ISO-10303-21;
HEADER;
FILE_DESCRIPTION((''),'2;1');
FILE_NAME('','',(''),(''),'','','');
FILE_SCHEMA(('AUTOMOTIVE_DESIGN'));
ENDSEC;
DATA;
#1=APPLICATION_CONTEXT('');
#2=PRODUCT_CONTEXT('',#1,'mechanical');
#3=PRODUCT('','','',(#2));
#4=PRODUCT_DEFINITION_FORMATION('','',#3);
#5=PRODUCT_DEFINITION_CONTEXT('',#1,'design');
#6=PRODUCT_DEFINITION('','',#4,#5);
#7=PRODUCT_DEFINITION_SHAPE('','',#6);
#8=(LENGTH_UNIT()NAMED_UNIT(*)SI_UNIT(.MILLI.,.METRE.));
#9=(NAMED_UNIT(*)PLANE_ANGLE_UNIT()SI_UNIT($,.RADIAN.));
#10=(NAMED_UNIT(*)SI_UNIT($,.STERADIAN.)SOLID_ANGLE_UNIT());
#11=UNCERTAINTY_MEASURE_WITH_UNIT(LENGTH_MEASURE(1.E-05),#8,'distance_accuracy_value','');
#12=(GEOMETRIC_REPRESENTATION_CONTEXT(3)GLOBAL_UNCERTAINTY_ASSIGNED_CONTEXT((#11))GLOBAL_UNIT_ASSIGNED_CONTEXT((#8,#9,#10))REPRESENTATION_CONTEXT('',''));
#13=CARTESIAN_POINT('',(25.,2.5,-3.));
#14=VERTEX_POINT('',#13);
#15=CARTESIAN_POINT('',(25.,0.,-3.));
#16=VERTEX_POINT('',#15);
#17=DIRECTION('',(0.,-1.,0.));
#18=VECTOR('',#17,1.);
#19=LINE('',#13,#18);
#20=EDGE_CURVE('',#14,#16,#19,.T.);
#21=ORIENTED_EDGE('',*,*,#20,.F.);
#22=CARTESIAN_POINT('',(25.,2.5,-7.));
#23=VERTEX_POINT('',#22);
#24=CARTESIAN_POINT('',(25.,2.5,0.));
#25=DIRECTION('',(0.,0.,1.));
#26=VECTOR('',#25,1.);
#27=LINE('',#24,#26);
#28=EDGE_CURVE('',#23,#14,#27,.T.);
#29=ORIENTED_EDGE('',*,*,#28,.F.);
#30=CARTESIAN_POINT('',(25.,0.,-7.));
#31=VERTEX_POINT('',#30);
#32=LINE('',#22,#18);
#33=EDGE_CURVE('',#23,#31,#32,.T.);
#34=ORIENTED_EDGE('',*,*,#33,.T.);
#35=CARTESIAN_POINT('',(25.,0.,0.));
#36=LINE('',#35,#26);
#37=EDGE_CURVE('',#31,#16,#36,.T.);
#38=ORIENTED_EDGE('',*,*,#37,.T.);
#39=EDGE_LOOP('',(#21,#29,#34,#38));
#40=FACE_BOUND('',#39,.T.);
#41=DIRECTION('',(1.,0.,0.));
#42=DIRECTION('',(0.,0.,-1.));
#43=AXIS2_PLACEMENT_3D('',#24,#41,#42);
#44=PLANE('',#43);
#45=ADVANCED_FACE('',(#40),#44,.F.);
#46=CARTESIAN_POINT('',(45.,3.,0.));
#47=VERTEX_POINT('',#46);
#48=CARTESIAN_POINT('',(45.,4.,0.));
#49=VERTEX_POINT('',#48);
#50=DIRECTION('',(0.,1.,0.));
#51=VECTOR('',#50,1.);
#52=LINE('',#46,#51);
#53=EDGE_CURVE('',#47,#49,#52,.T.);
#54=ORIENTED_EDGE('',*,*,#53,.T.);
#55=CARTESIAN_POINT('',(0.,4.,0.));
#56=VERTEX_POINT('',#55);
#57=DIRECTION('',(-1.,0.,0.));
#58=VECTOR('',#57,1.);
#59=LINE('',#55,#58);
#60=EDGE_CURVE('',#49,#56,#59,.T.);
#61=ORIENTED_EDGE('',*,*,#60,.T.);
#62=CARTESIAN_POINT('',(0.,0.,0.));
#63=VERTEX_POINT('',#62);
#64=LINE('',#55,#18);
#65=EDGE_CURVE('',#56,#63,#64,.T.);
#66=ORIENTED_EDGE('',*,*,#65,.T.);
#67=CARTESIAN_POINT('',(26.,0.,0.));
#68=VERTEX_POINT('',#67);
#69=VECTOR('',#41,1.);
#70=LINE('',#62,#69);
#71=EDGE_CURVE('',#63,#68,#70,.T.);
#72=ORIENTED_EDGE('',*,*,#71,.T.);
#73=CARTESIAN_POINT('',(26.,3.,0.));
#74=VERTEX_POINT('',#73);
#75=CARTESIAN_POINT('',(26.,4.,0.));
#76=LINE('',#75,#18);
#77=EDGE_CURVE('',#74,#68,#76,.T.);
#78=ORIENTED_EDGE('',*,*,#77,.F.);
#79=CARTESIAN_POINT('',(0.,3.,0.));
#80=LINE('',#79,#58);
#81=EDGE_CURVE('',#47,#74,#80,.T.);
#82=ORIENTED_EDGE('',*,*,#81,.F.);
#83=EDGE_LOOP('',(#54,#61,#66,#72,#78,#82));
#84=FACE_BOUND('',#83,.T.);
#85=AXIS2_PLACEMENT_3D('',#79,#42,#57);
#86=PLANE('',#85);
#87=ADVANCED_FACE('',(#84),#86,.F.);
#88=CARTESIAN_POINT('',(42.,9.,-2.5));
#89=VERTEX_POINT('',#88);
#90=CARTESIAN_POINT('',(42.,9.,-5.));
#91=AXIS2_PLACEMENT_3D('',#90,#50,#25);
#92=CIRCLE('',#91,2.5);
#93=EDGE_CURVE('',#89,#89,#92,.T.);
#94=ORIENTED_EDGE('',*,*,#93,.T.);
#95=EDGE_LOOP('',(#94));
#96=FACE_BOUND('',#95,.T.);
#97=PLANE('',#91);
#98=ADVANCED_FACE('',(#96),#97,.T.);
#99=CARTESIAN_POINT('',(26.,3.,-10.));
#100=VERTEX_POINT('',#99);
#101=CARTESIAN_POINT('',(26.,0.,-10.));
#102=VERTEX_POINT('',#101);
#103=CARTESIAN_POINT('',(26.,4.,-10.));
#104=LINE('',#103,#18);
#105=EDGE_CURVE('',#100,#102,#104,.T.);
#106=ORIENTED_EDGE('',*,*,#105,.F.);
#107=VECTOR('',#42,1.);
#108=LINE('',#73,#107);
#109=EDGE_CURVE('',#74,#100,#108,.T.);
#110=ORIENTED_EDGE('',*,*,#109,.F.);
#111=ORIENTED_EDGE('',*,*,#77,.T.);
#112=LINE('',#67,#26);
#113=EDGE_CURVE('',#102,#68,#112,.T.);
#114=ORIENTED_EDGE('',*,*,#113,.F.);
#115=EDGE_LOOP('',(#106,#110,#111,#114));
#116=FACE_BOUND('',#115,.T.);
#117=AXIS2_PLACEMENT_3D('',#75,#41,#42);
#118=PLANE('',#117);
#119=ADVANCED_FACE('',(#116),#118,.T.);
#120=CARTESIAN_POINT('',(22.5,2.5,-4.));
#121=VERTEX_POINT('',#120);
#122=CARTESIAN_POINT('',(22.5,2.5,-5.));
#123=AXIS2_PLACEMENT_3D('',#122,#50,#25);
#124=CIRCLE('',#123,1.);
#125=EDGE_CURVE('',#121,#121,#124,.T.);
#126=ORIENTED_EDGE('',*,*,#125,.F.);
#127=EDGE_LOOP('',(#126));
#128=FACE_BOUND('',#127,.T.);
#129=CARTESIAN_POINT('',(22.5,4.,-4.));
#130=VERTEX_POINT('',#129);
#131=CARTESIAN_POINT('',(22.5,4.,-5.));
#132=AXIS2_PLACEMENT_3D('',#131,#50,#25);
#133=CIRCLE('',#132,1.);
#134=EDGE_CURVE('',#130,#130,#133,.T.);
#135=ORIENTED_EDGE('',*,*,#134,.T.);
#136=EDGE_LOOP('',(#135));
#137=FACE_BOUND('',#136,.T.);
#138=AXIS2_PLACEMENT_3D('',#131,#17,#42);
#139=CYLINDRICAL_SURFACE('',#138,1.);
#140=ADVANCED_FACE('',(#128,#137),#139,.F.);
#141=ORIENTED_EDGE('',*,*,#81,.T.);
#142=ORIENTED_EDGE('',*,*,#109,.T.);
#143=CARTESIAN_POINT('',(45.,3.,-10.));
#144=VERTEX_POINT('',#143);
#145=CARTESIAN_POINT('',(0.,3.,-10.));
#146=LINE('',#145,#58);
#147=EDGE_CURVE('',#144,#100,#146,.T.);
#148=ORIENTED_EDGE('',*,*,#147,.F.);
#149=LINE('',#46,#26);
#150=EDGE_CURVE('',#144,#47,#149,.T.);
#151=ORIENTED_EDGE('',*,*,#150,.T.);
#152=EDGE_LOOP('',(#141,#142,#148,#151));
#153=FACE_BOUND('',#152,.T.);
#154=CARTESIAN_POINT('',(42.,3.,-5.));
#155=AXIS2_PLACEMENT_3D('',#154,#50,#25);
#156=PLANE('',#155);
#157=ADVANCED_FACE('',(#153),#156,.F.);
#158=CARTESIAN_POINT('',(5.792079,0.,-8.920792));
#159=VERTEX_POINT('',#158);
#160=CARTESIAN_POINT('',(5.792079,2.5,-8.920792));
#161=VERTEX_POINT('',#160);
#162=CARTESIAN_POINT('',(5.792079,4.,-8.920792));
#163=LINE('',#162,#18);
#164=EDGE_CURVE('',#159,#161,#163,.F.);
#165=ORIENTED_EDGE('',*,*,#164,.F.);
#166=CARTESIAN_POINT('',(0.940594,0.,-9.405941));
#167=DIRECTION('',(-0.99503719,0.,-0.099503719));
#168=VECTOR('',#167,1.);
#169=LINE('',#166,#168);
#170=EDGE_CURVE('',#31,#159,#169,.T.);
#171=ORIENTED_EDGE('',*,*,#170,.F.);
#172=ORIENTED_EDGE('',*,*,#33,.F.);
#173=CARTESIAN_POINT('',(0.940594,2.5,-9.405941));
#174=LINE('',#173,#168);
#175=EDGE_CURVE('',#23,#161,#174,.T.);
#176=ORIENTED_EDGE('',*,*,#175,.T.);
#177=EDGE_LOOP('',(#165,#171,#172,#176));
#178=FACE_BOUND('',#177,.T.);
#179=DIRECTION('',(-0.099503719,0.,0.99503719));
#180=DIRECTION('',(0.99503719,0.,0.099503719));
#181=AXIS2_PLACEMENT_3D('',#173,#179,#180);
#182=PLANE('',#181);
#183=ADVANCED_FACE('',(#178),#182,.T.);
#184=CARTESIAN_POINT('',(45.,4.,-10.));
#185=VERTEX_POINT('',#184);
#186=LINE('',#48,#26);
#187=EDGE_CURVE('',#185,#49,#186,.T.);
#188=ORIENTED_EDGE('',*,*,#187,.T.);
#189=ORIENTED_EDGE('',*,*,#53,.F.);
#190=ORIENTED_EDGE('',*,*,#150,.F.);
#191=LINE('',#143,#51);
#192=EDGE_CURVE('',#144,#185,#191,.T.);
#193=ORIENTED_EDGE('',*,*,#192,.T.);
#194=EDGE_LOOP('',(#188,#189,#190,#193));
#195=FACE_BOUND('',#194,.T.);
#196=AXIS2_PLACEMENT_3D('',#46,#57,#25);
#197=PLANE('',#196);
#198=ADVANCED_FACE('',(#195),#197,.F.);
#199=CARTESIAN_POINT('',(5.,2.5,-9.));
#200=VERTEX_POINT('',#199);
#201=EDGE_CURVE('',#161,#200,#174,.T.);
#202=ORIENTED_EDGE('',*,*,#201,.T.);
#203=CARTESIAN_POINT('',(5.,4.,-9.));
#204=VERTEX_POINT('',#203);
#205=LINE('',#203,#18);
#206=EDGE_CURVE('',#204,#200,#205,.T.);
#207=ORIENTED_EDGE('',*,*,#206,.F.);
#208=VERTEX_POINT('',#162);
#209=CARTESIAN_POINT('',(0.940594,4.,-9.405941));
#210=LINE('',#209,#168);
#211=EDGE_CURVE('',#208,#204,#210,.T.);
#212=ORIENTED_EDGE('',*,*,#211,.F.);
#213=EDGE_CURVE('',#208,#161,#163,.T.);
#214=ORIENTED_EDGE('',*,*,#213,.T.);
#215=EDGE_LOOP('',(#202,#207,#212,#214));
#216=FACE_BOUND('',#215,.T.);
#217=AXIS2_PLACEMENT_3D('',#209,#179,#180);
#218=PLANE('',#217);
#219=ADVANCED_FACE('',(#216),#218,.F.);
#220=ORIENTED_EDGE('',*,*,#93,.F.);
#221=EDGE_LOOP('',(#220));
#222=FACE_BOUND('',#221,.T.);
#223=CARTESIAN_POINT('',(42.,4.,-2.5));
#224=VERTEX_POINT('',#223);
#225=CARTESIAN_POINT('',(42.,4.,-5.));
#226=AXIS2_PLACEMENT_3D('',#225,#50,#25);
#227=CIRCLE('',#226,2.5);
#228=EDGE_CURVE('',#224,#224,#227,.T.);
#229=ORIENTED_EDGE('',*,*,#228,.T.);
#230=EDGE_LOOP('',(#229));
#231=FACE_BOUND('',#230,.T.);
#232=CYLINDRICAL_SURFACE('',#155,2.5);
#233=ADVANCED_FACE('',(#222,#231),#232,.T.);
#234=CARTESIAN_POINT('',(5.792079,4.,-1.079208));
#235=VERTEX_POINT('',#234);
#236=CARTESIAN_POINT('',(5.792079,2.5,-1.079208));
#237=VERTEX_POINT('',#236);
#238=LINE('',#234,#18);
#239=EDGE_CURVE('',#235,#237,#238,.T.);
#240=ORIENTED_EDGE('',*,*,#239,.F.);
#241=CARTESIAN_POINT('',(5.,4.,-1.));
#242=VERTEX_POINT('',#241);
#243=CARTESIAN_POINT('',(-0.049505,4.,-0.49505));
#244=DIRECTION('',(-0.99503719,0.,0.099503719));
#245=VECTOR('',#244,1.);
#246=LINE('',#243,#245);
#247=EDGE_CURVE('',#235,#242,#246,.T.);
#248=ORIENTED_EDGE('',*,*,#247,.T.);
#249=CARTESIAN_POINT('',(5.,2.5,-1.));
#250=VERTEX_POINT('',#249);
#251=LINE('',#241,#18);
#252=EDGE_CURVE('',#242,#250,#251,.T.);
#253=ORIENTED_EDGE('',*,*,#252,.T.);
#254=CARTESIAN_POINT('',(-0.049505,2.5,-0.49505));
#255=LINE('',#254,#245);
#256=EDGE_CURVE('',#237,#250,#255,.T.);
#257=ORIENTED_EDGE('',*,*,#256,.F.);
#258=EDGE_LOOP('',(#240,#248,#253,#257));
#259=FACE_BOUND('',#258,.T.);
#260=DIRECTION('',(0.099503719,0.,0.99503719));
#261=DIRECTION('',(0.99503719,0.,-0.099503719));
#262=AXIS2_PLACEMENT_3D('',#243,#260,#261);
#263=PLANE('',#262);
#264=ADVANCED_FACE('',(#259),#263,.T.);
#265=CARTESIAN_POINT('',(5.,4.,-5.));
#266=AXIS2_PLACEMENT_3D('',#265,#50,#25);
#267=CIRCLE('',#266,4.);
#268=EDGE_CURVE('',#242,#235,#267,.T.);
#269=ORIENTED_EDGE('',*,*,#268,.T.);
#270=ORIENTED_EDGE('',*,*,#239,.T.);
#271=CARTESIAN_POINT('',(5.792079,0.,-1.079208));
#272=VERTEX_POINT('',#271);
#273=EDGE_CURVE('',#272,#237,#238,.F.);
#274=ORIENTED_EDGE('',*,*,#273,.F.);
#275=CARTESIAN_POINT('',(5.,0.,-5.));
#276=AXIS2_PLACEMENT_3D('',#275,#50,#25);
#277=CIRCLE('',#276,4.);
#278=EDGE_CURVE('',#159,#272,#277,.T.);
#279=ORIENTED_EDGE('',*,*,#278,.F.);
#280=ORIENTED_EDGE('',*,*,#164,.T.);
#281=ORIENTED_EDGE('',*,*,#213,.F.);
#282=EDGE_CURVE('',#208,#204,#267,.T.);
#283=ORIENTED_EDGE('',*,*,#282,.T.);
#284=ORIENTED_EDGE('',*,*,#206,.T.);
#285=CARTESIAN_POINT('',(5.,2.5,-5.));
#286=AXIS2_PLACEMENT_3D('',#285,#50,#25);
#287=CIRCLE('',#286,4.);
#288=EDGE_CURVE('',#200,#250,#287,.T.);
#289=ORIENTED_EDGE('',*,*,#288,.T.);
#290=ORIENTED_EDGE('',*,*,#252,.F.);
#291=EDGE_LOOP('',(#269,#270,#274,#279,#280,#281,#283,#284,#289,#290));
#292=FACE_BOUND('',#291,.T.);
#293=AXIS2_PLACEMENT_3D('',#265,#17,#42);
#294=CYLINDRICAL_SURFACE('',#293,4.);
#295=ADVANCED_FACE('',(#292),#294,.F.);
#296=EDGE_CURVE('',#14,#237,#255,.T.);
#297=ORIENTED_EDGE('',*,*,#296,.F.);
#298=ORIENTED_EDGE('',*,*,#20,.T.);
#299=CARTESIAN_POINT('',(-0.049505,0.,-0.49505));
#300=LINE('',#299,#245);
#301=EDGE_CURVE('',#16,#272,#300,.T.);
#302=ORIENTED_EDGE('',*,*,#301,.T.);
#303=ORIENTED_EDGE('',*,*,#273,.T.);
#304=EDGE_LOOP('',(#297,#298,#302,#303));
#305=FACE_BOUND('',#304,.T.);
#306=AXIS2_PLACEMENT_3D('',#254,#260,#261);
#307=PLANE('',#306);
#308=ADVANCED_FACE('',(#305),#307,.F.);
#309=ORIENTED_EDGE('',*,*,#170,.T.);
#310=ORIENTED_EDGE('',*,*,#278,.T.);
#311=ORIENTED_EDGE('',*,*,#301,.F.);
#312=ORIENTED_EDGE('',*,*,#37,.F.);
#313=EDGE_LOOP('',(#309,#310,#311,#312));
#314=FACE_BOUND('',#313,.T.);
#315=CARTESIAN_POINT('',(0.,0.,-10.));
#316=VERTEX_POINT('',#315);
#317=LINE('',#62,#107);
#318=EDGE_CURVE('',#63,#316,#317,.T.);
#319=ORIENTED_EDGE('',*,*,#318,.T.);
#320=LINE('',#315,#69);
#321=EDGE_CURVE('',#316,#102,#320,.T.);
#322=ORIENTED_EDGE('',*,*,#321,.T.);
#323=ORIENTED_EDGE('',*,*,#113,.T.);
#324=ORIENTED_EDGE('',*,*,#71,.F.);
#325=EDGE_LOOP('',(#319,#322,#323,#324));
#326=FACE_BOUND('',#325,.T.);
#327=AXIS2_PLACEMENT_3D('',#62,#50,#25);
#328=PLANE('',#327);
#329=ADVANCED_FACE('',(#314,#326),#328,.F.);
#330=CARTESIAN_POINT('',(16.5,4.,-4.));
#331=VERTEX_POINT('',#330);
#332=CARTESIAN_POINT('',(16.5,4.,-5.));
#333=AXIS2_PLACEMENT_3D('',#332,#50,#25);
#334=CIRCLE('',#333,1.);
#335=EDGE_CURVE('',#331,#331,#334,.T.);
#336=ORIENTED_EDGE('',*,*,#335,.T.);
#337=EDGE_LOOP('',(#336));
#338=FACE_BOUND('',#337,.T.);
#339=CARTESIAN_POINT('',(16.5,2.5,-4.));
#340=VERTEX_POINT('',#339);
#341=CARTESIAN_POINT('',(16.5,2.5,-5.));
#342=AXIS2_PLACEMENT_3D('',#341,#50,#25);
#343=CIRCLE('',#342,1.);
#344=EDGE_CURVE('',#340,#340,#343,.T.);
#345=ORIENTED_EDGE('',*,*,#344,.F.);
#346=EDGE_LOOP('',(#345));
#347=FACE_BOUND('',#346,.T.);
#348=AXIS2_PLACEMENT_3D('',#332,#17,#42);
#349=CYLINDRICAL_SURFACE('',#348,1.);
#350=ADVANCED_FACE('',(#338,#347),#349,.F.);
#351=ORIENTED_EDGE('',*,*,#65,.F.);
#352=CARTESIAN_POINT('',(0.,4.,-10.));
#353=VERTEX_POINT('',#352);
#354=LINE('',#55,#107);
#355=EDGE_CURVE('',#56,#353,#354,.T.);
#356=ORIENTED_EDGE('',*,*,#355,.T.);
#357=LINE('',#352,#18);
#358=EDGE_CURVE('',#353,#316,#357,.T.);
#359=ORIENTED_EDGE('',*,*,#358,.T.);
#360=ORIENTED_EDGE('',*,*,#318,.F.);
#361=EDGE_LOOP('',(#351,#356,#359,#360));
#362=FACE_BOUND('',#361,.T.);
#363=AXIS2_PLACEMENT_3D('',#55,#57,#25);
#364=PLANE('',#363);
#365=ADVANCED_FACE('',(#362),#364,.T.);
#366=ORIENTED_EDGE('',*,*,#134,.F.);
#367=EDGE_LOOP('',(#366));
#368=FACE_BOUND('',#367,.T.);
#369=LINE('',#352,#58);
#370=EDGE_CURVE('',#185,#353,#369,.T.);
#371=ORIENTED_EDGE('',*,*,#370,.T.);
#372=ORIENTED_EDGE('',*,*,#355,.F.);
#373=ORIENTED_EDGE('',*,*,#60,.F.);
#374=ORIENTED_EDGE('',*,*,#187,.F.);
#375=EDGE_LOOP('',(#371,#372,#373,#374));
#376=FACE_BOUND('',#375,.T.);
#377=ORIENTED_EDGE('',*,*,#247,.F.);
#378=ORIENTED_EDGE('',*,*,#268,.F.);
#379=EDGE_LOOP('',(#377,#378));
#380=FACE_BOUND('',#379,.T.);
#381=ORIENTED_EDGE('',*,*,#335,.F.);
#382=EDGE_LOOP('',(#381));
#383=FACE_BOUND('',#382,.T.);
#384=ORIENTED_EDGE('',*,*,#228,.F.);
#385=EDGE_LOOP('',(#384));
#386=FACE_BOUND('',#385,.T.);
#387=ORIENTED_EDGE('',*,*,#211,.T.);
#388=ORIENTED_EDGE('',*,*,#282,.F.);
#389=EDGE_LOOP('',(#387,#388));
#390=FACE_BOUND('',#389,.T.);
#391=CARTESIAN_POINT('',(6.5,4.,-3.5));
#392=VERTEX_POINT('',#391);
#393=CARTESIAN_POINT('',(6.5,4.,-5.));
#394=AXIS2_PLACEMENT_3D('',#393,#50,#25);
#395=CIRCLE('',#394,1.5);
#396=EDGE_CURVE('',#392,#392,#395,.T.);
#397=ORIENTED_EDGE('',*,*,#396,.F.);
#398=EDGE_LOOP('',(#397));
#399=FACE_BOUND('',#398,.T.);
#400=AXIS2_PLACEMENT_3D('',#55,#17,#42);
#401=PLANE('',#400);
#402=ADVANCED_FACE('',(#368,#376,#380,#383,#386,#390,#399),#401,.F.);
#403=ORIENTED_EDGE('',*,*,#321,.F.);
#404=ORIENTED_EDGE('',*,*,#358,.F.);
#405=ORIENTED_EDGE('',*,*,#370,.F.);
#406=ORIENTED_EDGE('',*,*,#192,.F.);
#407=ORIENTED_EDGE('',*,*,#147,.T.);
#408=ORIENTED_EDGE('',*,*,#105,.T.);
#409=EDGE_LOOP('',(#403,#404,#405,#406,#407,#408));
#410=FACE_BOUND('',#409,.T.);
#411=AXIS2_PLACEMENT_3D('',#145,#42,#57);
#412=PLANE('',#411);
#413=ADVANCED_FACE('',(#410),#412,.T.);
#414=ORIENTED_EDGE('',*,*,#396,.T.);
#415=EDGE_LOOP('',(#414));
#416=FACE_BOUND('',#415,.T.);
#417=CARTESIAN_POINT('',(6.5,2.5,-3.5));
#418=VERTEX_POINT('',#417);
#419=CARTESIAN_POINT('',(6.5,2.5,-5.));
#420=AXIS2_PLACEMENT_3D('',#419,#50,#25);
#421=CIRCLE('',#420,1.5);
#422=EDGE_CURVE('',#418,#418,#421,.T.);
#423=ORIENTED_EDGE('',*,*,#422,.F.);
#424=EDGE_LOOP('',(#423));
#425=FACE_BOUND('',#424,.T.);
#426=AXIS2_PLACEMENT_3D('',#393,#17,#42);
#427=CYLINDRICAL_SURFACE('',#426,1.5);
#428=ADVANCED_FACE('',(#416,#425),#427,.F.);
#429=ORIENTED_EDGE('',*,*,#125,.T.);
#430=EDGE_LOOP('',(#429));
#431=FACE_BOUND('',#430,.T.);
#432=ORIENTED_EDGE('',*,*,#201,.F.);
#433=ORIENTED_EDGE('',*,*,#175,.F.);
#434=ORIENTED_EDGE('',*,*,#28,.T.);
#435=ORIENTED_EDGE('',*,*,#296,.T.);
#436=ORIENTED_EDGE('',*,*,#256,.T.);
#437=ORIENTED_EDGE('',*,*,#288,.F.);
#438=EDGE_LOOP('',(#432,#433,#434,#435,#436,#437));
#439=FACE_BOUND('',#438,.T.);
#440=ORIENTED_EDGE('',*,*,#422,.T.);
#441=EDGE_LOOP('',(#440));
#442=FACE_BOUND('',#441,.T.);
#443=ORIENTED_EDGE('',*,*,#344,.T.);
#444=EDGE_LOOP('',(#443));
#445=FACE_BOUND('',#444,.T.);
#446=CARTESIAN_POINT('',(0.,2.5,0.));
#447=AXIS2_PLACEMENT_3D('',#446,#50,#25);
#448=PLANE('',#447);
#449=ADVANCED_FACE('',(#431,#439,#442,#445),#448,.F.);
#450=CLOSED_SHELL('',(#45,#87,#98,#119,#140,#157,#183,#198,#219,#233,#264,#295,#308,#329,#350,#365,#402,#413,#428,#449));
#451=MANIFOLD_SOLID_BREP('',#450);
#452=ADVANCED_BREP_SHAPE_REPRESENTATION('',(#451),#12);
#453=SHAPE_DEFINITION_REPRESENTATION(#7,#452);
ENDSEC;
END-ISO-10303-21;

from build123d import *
from build123d.topology import SkipClean

# Parameters (mm, degrees)
SKETCH1_W                = 26
SKETCH1_H                = 10
SKETCH1_R                = 1.5
SKETCH1_R_2              = 1
MAINBODY_DEPTH           = 4
PUSHEXTRUSION_DEPTH      = 5
PUSHEXTRUSION_DEPTH_BACK = 1
PUSHEXTRUSION_START      = 4
SKETCH1_5_R              = 2.5
SKETCH1_6_W              = 20
SKETCH1_6_H              = 4
SKETCH1_6_R              = 1.5
SKETCH1_6_R_2            = 1
CUT_EXTRUDE1_DEPTH       = 2.5
BOSS_EXTRUDE1_START      = 4
SKETCH1_7_W              = 19
SKETCH1_7_H              = 10
SKETCH1_7_R              = 2.5
BOSS_EXTRUDE1_DEPTH      = 1


with BuildPart() as part:
    # Sketch1 → MainBody (new body)
    with BuildSketch(Plane(origin=(0, 0, 0), x_dir=(1, 0, 0), z_dir=(0, 1, 0))):
        with Locations((13, 5)):
            Rectangle(SKETCH1_W, SKETCH1_H)
        with Locations(Location((6.5, 5, 0), (0, 0, 270))):
            Circle(SKETCH1_R, mode=Mode.SUBTRACT)
        with BuildLine():
            ThreePointArc((5, 9), (5.398014876, 8.980148761), (5.792079208, 8.920792079))
            Line((5.792079208, 8.920792079), (5, 9))
        make_face(mode=Mode.SUBTRACT)
        with BuildLine():
            ThreePointArc((5.792079208, 1.079207921), (5.398014876, 1.019851239), (5, 1))
            Line((5, 1), (5.792079208, 1.079207921))
        make_face(mode=Mode.SUBTRACT)
        with Locations(Location((16.5, 5, 0), (0, 0, 270))):
            Circle(SKETCH1_R_2, mode=Mode.SUBTRACT)
        with Locations(Location((22.5, 5, 0), (0, 0, 270))):
            Circle(SKETCH1_R_2, mode=Mode.SUBTRACT)
    extrude(amount=MAINBODY_DEPTH)

    # Sketch1<6> → Cut-Extrude1 (cut)
    # profile 1 of 4: a face of its own
    with SkipClean():  # the faces are left unmerged after this step: merging them gives an invalid solid
        with BuildSketch(Plane(origin=(0, 0, 0), x_dir=(1, 0, 0), z_dir=(0, 1, 0))):
            with Locations((15, 5)):
                Rectangle(SKETCH1_6_W, SKETCH1_6_H)
            with Locations(Location((6.5, 5, 0), (0, 0, 270))):
                Circle(SKETCH1_6_R, mode=Mode.SUBTRACT)
            with Locations(Location((16.5, 5, 0), (0, 0, 270))):
                Circle(SKETCH1_6_R_2, mode=Mode.SUBTRACT)
            with Locations(Location((22.5, 5, 0), (0, 0, 270))):
                Circle(SKETCH1_6_R_2, mode=Mode.SUBTRACT)
        # profile 2 of 4: a face of its own
        with BuildSketch(Plane(origin=(0, 0, 0), x_dir=(1, 0, 0), z_dir=(0, 1, 0))):
            Polygon((25, 7), (5, 9), (5, 7), align=None)
        # profile 3 of 4: a face of its own
        with BuildSketch(Plane(origin=(0, 0, 0), x_dir=(1, 0, 0), z_dir=(0, 1, 0))):
            Polygon((25, 3), (5, 1), (5, 3), align=None)
        # profile 4 of 4: a face of its own
        with BuildSketch(Plane(origin=(0, 0, 0), x_dir=(1, 0, 0), z_dir=(0, 1, 0))):
            with BuildLine():
                Line((5, 5), (5, 7))
                Line((5, 7), (5, 9))
                ThreePointArc((5, 9), (1, 5), (5, 1))
                Line((5, 1), (5, 3))
                Line((5, 3), (5, 5))
            make_face()
        extrude(amount=CUT_EXTRUDE1_DEPTH, mode=Mode.SUBTRACT)



with BuildPart() as body_2:
    # Sketch1<5> → PushExtrusion (new, two sides: drawn at the far end of the back side and taken through both)
    with BuildSketch(Plane(origin=(0, 0, 0), x_dir=(1, 0, 0), z_dir=(0, 1, 0)).offset(PUSHEXTRUSION_START - PUSHEXTRUSION_DEPTH_BACK)):
        with Locations(Location((42, 5, 0), (0, 0, 270))):
            Circle(SKETCH1_5_R)
    extrude(amount=PUSHEXTRUSION_DEPTH + PUSHEXTRUSION_DEPTH_BACK)


with BuildPart() as part_1:
    with SkipClean():  # the faces are left unmerged after this step: merging them gives an invalid solid
        add(part.part)

        add(body_2.part)  # Boss-Extrude1 merges body 2
        # Sketch1<7> → Boss-Extrude1 (add)
        with BuildSketch(Plane(origin=(0, 0, 0), x_dir=(1, 0, 0), z_dir=(0, 1, 0)).offset(BOSS_EXTRUDE1_START)):
            with Locations((35.5, 5)):
                Rectangle(SKETCH1_7_W, SKETCH1_7_H)
            with Locations(Location((42, 5, 0), (0, 0, 270))):
                Circle(SKETCH1_7_R, mode=Mode.SUBTRACT)
        extrude(amount=-BOSS_EXTRUDE1_DEPTH)


solid = part_1.part
